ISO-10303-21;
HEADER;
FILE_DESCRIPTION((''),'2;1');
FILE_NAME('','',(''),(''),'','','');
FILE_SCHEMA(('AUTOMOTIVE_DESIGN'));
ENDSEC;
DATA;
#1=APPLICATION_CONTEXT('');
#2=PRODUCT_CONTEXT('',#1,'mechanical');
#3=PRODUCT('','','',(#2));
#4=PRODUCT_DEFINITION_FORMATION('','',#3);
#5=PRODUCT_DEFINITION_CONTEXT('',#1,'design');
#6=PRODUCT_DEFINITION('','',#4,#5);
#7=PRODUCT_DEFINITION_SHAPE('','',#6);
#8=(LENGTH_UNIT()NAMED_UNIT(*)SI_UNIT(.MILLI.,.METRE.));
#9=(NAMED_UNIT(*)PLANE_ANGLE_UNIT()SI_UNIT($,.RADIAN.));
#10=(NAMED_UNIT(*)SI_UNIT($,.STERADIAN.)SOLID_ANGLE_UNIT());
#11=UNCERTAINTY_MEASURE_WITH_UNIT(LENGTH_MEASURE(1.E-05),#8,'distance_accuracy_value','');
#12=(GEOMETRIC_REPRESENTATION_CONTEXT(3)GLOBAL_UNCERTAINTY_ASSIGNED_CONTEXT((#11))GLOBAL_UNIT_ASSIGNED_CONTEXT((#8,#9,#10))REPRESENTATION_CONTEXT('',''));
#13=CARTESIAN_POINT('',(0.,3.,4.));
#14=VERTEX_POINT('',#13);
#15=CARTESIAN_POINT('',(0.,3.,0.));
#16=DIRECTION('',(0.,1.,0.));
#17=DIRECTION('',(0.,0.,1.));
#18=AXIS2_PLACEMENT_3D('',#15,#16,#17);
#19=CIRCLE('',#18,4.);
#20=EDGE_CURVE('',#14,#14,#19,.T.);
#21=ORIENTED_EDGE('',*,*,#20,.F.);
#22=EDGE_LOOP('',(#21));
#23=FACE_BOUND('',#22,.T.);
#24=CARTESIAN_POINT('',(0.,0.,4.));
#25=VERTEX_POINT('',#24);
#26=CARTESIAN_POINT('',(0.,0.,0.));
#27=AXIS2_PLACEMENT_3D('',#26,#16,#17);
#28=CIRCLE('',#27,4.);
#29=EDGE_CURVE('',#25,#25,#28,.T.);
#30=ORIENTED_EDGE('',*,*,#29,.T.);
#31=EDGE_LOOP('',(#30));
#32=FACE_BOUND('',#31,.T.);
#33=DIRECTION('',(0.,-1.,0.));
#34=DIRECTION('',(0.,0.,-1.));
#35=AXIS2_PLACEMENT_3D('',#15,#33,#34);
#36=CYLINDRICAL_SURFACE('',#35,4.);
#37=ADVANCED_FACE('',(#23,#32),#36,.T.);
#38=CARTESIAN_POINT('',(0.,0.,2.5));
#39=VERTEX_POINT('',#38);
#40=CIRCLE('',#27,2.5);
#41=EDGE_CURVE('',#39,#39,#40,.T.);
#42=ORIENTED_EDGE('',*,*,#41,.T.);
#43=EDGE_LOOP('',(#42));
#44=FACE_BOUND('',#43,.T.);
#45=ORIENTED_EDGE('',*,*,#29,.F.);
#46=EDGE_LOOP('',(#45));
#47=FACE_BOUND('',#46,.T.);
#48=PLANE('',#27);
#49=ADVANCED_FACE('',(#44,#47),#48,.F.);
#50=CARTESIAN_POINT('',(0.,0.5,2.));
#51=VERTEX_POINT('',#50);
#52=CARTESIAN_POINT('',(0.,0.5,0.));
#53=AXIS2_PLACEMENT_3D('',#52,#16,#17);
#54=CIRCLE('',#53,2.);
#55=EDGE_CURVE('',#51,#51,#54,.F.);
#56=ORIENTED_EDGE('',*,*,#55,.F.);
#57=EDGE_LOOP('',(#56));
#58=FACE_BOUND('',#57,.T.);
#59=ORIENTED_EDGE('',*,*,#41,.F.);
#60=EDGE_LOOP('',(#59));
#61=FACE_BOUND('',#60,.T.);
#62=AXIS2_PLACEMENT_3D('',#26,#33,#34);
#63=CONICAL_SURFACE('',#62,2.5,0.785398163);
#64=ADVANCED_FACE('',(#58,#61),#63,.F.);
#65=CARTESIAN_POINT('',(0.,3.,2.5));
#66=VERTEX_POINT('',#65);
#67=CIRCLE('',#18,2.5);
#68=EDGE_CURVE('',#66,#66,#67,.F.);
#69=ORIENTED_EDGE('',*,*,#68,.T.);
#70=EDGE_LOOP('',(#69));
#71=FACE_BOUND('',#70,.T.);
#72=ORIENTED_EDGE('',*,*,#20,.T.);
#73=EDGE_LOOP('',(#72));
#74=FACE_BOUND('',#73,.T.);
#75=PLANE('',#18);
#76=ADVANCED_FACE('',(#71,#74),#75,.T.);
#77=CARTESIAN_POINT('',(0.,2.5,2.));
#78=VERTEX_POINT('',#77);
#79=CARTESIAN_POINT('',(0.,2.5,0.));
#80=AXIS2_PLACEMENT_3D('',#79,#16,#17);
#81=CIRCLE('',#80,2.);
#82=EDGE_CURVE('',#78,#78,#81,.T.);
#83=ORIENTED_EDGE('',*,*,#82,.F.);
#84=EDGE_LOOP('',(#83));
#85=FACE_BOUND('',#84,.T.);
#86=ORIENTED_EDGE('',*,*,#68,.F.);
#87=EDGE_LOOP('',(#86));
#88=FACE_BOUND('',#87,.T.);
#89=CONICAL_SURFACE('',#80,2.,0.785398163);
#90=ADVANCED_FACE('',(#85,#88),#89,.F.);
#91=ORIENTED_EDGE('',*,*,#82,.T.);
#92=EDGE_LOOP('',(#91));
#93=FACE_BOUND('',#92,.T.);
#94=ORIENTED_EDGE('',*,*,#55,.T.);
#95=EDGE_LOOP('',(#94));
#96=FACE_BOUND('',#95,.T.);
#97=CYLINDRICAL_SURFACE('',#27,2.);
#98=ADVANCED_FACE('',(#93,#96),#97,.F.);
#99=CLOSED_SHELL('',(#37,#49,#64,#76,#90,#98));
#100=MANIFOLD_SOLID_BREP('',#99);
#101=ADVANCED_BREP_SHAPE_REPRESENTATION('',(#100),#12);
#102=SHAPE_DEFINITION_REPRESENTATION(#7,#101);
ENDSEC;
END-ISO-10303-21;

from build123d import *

# Parameters (mm, degrees)
SKETCH1_R           = 4
BOSS_EXTRUDE1_DEPTH = 3
SKETCH2_R           = 2
CUT_EXTRUDE1_DEPTH  = 7.403124237
CHAMFER2_SIZE       = 0.5


with BuildPart() as part:
    # Sketch1 → Boss-Extrude1 (new body)
    with BuildSketch(Plane(origin=(0, 0, 0), x_dir=(1, 0, 0), z_dir=(0, 1, 0))):
        with Locations(Location((0, 0, 0), (0, 0, 270))):
            Circle(SKETCH1_R)
    extrude(amount=BOSS_EXTRUDE1_DEPTH)

    # Sketch2 → Cut-Extrude1 (cut, through all)
    with BuildSketch(Plane(origin=(0, 3, 0), x_dir=(1, 0, 0), z_dir=(0, 1, 0))):
        with Locations(Location((0, 0, 0), (0, 0, 270))):
            Circle(SKETCH2_R)
    extrude(amount=-CUT_EXTRUDE1_DEPTH, mode=Mode.SUBTRACT)

    # Chamfer2
    chamfer2_edges = [part.edges().sort_by_distance(p)[0] for p in [
        (0, 0, -2),
        (0, 3, -2),
    ]]
    chamfer(chamfer2_edges, length=CHAMFER2_SIZE)


solid = part.part
